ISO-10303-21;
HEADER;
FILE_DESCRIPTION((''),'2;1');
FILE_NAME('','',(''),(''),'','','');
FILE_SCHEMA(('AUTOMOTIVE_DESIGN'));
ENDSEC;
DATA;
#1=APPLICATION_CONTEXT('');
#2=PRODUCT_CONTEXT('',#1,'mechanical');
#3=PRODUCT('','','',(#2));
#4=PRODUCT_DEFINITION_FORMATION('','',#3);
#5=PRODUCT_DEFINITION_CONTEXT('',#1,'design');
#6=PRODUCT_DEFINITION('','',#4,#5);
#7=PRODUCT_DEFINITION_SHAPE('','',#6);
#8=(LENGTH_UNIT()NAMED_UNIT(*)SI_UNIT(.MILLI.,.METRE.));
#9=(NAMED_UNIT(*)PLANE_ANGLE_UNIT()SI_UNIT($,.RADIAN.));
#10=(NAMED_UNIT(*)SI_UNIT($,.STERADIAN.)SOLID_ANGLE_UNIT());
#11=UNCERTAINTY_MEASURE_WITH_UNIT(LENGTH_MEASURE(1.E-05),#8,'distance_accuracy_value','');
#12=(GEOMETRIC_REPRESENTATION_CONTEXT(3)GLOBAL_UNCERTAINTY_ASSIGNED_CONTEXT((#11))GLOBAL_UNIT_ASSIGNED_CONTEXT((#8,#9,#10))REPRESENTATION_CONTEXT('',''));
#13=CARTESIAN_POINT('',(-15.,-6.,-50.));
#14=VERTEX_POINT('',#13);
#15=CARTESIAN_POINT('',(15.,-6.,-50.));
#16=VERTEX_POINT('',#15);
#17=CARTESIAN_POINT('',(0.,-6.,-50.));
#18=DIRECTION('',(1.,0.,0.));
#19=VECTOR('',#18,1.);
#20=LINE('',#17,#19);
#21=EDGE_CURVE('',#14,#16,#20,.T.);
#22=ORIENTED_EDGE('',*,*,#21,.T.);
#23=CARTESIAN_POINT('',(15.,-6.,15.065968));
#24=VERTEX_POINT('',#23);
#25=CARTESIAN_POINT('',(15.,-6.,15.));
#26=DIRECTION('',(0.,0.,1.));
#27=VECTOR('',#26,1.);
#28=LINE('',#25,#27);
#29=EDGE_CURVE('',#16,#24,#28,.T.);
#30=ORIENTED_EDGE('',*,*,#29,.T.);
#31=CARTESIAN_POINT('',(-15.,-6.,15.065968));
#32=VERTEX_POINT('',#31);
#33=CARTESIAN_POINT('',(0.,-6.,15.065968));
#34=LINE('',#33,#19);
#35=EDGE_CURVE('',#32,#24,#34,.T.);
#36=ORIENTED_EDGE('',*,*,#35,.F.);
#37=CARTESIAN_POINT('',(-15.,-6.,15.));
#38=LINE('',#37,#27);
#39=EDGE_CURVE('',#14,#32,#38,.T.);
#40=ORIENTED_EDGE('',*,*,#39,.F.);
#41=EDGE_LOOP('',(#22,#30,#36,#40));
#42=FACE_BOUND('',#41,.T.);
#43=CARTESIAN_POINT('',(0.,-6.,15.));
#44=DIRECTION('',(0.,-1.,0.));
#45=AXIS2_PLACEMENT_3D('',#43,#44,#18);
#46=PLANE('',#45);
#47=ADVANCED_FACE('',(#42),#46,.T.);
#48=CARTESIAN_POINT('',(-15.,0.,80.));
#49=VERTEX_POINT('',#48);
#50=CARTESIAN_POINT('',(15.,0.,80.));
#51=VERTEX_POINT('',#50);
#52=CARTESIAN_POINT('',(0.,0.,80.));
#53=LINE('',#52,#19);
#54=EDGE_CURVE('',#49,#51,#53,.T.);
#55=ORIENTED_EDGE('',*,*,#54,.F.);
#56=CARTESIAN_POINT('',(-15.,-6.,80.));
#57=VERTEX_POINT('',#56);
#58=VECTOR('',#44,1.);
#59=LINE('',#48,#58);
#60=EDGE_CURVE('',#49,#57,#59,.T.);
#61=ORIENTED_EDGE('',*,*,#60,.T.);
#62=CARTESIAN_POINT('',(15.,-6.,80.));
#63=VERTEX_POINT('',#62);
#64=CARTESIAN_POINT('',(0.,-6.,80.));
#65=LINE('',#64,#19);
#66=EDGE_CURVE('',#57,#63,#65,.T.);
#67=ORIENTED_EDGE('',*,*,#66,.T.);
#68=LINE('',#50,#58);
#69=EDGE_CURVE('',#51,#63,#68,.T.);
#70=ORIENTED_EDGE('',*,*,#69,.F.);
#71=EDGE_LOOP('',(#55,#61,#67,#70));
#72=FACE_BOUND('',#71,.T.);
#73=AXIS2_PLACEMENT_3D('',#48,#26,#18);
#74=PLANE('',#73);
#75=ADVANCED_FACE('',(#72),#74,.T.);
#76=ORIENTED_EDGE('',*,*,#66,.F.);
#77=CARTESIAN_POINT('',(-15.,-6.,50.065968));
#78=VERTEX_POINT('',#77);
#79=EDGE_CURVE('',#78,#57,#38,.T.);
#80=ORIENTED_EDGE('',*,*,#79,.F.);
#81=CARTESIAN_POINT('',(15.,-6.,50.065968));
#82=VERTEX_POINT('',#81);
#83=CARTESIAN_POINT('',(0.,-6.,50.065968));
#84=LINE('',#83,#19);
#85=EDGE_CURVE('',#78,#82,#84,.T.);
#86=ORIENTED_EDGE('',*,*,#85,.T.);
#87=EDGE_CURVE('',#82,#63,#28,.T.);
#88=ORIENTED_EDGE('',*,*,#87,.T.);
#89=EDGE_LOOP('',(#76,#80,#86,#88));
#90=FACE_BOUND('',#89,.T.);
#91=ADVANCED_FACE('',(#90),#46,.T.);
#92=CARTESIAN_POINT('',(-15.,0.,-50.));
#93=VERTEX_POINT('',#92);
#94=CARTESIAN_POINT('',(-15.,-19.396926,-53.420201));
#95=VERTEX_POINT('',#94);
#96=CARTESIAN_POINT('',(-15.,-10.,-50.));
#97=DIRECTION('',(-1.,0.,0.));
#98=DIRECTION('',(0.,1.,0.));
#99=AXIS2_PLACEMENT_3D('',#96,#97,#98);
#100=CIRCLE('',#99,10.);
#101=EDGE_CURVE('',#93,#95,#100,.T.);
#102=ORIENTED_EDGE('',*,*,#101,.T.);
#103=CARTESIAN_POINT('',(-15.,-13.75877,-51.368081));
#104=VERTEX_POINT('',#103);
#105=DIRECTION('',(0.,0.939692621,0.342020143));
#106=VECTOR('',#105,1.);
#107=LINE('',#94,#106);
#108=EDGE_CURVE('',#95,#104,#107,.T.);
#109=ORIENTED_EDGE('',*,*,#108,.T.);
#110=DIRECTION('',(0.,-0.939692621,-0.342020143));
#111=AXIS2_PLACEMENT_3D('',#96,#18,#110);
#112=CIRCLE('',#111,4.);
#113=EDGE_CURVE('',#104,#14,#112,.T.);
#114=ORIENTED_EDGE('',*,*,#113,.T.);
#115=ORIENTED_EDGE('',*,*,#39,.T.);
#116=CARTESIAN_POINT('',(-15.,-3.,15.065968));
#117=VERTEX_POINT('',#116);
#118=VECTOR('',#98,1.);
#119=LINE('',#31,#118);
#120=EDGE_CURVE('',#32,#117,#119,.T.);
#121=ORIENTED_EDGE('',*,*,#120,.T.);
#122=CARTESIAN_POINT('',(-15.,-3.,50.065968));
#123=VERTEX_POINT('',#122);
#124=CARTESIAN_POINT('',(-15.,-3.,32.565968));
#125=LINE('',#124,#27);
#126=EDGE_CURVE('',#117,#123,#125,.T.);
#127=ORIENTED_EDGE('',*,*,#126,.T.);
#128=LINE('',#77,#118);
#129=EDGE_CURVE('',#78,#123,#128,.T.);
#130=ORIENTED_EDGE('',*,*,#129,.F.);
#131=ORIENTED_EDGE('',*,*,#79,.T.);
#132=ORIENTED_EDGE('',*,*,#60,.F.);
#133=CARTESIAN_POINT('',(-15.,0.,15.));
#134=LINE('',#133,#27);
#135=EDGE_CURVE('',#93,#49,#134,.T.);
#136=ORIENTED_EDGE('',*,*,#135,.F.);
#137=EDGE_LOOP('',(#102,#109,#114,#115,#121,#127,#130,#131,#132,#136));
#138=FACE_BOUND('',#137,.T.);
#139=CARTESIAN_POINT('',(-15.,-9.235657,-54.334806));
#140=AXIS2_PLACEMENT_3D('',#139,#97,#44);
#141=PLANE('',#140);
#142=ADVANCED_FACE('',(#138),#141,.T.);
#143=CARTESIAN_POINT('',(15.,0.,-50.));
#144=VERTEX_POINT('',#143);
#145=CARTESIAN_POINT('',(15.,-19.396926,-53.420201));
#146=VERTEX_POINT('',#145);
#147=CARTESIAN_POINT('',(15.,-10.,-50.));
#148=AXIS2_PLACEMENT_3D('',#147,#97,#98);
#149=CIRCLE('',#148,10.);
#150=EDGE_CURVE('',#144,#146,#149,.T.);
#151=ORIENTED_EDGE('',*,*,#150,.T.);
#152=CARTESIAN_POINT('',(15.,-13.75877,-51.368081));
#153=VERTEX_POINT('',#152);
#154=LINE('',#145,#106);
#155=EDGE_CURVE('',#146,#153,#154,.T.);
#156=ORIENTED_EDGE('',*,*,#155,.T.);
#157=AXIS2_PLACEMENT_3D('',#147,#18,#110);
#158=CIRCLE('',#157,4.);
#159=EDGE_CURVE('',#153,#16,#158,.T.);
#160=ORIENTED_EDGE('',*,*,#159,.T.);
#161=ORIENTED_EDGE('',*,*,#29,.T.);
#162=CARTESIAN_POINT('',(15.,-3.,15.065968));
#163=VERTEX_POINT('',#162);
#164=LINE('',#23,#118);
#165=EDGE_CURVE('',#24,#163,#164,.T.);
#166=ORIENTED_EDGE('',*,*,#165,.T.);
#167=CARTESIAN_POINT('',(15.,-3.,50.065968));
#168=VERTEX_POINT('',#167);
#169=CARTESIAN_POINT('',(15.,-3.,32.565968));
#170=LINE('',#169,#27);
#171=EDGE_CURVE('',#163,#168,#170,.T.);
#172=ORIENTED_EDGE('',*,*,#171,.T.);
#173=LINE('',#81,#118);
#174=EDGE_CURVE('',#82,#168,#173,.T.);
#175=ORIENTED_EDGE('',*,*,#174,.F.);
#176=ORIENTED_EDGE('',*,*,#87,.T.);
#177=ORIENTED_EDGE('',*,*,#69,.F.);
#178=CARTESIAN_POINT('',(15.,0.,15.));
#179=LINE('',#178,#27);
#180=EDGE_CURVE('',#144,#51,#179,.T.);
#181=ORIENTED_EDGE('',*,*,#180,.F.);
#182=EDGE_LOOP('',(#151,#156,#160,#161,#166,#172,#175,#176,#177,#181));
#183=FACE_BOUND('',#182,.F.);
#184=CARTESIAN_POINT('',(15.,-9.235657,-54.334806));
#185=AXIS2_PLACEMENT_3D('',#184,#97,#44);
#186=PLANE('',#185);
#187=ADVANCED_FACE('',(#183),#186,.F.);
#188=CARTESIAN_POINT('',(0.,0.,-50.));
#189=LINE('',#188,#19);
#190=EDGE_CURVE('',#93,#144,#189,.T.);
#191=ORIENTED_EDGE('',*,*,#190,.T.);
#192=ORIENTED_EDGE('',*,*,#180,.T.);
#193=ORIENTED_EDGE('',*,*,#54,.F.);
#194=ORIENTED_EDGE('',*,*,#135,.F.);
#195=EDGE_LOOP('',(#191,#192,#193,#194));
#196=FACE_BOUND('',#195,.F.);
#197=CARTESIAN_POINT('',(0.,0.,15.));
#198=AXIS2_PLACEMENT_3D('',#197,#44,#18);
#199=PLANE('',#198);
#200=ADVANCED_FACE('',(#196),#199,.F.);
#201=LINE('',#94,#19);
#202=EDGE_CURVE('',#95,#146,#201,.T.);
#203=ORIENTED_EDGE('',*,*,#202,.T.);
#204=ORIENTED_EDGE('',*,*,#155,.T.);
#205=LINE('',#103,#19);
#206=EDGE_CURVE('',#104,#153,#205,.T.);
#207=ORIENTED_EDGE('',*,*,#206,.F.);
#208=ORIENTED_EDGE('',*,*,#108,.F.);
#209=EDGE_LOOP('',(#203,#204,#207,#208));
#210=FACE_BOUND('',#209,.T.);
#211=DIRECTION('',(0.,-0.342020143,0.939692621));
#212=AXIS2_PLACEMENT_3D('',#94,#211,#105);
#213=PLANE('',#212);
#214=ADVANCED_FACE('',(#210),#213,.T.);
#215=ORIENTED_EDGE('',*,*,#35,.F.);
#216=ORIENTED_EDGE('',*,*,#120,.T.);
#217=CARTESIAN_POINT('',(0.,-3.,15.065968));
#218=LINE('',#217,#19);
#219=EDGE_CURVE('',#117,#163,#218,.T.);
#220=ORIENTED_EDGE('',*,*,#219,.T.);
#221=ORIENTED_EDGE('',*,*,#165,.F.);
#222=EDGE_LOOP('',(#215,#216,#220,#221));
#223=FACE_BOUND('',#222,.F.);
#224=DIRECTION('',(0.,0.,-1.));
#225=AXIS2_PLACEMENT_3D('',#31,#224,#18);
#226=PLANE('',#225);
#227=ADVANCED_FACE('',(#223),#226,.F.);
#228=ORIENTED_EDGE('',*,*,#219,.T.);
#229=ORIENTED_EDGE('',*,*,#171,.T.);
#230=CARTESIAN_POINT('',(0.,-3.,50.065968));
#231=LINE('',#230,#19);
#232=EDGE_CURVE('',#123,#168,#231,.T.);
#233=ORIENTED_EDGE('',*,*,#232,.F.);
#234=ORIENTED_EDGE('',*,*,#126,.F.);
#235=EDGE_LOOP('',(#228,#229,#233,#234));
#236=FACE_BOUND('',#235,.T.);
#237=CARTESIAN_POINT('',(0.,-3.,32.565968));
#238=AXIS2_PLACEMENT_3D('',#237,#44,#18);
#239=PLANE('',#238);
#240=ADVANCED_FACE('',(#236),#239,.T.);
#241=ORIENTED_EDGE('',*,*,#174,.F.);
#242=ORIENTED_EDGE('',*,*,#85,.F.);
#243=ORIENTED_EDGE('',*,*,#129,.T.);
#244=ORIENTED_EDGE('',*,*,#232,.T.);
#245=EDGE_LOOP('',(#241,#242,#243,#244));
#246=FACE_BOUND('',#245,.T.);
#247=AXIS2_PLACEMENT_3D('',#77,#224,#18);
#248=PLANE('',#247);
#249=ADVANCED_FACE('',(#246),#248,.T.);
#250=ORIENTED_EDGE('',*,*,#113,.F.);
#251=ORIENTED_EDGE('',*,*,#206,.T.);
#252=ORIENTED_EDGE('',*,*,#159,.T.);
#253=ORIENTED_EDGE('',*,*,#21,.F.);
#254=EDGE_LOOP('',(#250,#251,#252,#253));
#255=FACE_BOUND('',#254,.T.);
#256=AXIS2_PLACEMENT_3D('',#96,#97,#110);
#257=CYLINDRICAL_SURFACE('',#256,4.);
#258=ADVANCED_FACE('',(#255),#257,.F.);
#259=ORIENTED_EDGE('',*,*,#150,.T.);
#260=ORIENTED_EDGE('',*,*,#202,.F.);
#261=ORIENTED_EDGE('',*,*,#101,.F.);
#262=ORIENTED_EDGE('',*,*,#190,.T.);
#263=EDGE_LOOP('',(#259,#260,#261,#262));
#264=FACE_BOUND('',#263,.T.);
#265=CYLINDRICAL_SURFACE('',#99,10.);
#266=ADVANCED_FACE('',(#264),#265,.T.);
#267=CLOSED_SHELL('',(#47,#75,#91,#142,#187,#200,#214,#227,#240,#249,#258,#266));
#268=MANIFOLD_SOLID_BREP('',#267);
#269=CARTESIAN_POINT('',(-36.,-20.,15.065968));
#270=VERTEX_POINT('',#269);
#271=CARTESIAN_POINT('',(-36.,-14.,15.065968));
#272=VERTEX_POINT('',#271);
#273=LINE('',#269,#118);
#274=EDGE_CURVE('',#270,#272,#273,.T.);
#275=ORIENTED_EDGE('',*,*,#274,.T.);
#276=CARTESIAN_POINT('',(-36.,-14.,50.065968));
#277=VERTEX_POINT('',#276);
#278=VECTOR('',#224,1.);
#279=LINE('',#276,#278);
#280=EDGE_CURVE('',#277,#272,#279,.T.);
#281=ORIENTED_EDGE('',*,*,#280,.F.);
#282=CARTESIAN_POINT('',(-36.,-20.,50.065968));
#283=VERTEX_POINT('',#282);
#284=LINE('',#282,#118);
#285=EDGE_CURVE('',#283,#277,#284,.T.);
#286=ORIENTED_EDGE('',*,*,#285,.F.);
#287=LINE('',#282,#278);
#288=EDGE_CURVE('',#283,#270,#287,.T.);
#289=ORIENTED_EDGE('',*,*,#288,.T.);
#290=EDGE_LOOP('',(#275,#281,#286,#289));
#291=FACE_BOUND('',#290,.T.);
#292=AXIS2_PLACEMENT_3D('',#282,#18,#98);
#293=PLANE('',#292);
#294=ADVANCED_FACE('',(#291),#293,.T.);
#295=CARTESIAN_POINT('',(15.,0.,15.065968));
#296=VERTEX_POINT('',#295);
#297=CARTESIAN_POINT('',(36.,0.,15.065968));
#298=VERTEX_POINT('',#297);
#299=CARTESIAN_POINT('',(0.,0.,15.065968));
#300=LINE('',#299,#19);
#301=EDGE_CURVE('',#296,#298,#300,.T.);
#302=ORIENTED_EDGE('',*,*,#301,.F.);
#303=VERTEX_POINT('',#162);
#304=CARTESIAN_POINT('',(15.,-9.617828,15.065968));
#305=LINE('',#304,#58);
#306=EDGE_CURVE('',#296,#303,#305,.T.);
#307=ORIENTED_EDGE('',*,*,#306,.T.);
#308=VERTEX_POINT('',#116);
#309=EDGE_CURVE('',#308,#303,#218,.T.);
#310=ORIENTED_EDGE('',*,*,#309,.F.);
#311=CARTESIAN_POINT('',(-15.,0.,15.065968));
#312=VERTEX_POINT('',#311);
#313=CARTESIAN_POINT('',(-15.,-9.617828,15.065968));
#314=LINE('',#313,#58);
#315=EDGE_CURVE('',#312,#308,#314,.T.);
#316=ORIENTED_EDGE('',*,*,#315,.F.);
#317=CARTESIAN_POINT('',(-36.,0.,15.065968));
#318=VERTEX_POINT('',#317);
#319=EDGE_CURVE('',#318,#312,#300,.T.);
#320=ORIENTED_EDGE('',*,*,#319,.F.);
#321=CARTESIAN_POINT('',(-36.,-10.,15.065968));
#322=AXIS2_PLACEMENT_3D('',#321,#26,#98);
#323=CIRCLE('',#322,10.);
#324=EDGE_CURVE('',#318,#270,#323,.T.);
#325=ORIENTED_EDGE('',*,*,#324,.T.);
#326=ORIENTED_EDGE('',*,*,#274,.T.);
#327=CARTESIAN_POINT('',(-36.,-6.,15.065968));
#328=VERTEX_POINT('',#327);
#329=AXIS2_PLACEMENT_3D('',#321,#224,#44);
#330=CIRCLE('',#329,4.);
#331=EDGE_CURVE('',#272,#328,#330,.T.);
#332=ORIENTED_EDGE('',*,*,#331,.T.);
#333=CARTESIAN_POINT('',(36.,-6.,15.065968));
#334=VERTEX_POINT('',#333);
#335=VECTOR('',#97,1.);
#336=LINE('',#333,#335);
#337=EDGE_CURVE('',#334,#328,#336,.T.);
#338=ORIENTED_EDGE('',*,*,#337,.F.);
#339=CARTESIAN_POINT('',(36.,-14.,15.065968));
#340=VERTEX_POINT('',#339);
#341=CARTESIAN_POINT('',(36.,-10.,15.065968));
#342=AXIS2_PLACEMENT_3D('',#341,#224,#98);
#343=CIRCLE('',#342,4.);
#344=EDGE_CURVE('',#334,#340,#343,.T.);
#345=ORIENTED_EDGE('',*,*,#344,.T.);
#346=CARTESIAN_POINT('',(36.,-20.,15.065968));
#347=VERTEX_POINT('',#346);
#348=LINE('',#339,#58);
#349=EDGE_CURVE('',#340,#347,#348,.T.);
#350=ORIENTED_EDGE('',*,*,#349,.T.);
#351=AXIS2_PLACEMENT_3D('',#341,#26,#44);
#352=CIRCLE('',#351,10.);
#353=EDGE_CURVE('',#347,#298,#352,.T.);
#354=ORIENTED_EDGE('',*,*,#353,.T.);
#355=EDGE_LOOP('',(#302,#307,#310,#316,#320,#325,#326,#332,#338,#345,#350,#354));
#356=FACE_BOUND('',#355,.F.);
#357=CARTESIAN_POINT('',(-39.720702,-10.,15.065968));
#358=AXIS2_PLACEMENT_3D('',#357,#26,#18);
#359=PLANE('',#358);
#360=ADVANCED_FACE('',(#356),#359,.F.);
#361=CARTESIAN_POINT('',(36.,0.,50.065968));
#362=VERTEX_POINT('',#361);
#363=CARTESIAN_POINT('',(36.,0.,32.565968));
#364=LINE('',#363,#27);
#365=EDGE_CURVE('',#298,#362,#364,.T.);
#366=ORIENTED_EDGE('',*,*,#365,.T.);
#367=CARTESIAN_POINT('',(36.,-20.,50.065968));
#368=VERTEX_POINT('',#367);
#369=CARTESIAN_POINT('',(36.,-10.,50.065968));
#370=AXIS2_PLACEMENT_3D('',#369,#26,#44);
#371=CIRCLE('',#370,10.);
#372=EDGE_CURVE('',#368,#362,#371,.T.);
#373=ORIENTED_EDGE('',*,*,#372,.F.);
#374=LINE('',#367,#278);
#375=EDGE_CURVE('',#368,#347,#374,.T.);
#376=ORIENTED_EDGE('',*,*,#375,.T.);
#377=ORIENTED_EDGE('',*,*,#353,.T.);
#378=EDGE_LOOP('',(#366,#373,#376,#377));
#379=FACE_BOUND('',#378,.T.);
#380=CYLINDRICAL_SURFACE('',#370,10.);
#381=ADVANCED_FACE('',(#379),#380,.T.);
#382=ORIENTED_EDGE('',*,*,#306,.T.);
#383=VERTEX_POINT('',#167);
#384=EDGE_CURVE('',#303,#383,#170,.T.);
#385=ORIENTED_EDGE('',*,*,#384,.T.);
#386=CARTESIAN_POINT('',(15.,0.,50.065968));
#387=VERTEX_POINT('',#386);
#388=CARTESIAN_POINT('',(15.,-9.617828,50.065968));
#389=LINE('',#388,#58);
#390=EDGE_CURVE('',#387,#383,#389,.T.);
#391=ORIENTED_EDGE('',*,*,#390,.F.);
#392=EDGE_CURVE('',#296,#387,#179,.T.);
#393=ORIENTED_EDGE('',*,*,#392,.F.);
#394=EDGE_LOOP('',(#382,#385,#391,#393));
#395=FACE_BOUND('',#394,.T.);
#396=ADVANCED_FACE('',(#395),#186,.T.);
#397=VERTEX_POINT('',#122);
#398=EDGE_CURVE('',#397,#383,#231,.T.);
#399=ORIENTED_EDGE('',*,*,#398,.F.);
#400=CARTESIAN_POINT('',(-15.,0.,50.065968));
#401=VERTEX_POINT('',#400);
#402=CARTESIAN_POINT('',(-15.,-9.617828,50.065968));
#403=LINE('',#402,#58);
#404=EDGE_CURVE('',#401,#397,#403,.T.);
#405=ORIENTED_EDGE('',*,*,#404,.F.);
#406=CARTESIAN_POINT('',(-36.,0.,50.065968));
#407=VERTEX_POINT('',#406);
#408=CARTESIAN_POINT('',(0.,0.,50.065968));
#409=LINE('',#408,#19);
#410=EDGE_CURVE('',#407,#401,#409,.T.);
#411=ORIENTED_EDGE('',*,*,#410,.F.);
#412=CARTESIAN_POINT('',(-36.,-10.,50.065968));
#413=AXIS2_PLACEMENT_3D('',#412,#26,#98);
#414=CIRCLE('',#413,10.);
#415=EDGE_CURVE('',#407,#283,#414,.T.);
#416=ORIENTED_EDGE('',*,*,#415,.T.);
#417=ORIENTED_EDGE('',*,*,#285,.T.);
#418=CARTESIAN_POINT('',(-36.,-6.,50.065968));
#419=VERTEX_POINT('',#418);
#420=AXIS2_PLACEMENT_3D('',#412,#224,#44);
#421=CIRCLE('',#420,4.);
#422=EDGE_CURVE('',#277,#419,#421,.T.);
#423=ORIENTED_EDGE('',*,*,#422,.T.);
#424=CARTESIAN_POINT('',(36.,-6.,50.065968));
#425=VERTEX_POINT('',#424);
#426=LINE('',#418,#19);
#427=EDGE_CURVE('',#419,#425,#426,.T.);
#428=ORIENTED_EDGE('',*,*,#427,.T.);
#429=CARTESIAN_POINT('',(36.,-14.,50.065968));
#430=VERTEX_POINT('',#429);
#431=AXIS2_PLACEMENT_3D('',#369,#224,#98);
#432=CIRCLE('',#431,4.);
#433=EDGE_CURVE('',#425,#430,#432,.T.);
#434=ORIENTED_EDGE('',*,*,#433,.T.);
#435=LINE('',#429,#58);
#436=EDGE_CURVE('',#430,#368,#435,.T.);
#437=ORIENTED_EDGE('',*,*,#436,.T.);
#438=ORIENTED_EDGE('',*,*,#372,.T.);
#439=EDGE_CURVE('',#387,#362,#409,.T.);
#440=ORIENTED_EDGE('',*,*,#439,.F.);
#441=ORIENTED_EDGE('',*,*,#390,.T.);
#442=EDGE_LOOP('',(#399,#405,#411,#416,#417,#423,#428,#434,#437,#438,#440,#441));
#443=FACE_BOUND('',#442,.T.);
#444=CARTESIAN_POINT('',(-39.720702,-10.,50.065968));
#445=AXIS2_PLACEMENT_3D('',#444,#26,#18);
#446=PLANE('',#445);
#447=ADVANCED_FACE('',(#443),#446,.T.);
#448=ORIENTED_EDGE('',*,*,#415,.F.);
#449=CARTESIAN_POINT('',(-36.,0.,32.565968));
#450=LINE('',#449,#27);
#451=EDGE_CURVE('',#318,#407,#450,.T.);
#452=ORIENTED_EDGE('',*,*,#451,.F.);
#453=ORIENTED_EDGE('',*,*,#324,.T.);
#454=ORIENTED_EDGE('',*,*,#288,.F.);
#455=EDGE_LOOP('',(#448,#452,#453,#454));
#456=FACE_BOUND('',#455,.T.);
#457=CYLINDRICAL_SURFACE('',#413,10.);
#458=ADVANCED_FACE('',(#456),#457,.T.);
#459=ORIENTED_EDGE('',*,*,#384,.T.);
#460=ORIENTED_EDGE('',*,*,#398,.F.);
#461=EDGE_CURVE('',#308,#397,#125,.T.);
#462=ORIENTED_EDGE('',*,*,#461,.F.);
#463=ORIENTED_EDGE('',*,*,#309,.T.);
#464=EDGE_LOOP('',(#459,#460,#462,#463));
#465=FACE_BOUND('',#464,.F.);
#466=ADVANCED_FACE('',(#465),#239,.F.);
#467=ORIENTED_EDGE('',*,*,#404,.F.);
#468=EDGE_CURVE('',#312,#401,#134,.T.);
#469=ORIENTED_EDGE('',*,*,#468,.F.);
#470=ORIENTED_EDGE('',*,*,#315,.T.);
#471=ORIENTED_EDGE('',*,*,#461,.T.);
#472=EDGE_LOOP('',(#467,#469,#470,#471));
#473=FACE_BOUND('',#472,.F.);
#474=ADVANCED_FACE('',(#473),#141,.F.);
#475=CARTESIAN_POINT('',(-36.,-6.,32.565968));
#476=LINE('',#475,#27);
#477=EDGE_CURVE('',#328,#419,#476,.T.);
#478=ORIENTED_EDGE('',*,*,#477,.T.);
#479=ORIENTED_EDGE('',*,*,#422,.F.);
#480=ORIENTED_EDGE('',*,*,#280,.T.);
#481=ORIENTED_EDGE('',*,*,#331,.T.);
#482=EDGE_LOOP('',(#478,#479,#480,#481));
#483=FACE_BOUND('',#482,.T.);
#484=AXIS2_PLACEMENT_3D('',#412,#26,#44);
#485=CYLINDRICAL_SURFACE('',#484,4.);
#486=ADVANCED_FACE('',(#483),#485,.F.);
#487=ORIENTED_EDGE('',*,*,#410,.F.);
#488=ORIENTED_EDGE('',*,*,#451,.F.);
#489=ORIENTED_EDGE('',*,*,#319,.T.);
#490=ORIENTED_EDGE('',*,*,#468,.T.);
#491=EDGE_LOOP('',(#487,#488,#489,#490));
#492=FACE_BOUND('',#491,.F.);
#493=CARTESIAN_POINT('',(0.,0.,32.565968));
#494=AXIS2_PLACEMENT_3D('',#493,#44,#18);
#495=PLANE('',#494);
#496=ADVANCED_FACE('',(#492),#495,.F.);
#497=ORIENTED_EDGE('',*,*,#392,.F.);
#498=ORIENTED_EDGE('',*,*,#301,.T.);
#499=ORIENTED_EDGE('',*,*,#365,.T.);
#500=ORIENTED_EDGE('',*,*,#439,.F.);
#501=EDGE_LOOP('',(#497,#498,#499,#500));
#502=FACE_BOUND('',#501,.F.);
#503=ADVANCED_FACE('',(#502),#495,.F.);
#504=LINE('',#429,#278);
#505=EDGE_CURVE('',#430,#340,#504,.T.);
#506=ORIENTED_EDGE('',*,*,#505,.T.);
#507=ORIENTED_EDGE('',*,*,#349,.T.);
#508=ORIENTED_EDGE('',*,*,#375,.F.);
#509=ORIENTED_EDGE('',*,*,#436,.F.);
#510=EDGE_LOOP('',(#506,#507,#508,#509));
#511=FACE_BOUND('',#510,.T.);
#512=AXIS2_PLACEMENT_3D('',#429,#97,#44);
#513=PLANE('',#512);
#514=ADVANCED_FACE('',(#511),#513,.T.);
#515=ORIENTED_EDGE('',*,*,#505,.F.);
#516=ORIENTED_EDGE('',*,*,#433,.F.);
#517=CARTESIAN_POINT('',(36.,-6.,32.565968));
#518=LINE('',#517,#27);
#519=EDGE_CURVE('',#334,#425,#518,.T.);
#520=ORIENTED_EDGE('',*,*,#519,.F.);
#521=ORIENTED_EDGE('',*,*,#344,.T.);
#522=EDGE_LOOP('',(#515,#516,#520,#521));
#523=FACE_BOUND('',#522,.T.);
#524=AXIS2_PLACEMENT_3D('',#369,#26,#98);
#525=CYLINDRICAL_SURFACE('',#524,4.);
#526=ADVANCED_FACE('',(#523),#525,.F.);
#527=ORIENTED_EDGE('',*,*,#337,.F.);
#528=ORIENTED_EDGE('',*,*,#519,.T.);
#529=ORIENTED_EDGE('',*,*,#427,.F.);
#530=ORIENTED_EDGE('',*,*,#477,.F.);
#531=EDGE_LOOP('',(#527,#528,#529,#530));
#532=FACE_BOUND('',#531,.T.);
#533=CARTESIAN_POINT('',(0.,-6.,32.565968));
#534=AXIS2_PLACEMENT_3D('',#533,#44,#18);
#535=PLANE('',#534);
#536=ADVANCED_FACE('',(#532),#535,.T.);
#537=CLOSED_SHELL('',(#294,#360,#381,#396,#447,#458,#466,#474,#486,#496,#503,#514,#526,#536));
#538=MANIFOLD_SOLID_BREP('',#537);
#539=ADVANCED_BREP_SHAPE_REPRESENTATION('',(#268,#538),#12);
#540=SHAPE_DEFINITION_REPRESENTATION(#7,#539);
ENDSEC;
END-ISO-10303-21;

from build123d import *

# Parameters (mm, degrees)
F0_W     = 30
F0_H     = 130
F1_DEPTH = 6
F3_DEPTH = 30
F4_W     = 72
F4_H     = 35
F5_DEPTH = 6
F7_DEPTH = 35
F8_W     = 30
F8_H     = 35
F9_DEPTH = 3


with BuildPart() as f1:
    # F0 (on Front) → F1 (new body)
    with BuildSketch(Plane.XZ):
        with Locations((0, 15)):
            Rectangle(F0_W, F0_H)
    extrude(amount=F1_DEPTH)

    # F2 (on face) → F3 (join, through all)
    with BuildSketch(Plane(origin=(-15, 0, 0), x_dir=(0, -1, 0), z_dir=(-1, 0, 0))):
        with BuildLine():
            Line((6, -50), (0, -50))
            ThreePointArc((0, -50), (8.2635182233, -59.8480775301), (19.3969262079, -53.4202014333))
            Line((19.3969262079, -53.4202014333), (13.7587704831, -51.3680805733))
            ThreePointArc((13.7587704831, -51.3680805733), (9.3054072893, -53.939231012), (6, -50))
        make_face()
    extrude(amount=-F3_DEPTH)

    # F8 (on face) → F9 (cut)
    with BuildSketch(Plane.XZ.offset(6)):
        with Locations((0, 32.5659681112)):
            Rectangle(F8_W, F8_H)
    extrude(amount=-F9_DEPTH, mode=Mode.SUBTRACT)


with BuildPart() as f5:
    # F4 (on Front) → F5 (new body, through all)
    with BuildSketch(Plane.XZ):
        with Locations((0, 32.5659681112)):
            Rectangle(F4_W, F4_H)
    extrude(amount=F5_DEPTH)

    # F6 (on face) → F7 (join, through all)
    with BuildSketch(Plane.XY.offset(50.0659681112)):
        with BuildLine():
            Line((-36, -6), (-36, 0))
            ThreePointArc((-36, 0), (-46, -10), (-36, -20))
            Line((-36, -20), (-36, -14))
            ThreePointArc((-36, -14), (-40, -10), (-36, -6))
        make_face()
        with BuildLine():
            ThreePointArc((36, -20), (46, -10), (36, 0))
            Line((36, 0), (36, -6))
            ThreePointArc((36, -6), (40, -10), (36, -14))
            Line((36, -14), (36, -20))
        make_face()
    extrude(amount=-F7_DEPTH)

    # F10: cut F1
    add(f1.part, mode=Mode.SUBTRACT)


solid = Compound([f1.part, f5.part])
